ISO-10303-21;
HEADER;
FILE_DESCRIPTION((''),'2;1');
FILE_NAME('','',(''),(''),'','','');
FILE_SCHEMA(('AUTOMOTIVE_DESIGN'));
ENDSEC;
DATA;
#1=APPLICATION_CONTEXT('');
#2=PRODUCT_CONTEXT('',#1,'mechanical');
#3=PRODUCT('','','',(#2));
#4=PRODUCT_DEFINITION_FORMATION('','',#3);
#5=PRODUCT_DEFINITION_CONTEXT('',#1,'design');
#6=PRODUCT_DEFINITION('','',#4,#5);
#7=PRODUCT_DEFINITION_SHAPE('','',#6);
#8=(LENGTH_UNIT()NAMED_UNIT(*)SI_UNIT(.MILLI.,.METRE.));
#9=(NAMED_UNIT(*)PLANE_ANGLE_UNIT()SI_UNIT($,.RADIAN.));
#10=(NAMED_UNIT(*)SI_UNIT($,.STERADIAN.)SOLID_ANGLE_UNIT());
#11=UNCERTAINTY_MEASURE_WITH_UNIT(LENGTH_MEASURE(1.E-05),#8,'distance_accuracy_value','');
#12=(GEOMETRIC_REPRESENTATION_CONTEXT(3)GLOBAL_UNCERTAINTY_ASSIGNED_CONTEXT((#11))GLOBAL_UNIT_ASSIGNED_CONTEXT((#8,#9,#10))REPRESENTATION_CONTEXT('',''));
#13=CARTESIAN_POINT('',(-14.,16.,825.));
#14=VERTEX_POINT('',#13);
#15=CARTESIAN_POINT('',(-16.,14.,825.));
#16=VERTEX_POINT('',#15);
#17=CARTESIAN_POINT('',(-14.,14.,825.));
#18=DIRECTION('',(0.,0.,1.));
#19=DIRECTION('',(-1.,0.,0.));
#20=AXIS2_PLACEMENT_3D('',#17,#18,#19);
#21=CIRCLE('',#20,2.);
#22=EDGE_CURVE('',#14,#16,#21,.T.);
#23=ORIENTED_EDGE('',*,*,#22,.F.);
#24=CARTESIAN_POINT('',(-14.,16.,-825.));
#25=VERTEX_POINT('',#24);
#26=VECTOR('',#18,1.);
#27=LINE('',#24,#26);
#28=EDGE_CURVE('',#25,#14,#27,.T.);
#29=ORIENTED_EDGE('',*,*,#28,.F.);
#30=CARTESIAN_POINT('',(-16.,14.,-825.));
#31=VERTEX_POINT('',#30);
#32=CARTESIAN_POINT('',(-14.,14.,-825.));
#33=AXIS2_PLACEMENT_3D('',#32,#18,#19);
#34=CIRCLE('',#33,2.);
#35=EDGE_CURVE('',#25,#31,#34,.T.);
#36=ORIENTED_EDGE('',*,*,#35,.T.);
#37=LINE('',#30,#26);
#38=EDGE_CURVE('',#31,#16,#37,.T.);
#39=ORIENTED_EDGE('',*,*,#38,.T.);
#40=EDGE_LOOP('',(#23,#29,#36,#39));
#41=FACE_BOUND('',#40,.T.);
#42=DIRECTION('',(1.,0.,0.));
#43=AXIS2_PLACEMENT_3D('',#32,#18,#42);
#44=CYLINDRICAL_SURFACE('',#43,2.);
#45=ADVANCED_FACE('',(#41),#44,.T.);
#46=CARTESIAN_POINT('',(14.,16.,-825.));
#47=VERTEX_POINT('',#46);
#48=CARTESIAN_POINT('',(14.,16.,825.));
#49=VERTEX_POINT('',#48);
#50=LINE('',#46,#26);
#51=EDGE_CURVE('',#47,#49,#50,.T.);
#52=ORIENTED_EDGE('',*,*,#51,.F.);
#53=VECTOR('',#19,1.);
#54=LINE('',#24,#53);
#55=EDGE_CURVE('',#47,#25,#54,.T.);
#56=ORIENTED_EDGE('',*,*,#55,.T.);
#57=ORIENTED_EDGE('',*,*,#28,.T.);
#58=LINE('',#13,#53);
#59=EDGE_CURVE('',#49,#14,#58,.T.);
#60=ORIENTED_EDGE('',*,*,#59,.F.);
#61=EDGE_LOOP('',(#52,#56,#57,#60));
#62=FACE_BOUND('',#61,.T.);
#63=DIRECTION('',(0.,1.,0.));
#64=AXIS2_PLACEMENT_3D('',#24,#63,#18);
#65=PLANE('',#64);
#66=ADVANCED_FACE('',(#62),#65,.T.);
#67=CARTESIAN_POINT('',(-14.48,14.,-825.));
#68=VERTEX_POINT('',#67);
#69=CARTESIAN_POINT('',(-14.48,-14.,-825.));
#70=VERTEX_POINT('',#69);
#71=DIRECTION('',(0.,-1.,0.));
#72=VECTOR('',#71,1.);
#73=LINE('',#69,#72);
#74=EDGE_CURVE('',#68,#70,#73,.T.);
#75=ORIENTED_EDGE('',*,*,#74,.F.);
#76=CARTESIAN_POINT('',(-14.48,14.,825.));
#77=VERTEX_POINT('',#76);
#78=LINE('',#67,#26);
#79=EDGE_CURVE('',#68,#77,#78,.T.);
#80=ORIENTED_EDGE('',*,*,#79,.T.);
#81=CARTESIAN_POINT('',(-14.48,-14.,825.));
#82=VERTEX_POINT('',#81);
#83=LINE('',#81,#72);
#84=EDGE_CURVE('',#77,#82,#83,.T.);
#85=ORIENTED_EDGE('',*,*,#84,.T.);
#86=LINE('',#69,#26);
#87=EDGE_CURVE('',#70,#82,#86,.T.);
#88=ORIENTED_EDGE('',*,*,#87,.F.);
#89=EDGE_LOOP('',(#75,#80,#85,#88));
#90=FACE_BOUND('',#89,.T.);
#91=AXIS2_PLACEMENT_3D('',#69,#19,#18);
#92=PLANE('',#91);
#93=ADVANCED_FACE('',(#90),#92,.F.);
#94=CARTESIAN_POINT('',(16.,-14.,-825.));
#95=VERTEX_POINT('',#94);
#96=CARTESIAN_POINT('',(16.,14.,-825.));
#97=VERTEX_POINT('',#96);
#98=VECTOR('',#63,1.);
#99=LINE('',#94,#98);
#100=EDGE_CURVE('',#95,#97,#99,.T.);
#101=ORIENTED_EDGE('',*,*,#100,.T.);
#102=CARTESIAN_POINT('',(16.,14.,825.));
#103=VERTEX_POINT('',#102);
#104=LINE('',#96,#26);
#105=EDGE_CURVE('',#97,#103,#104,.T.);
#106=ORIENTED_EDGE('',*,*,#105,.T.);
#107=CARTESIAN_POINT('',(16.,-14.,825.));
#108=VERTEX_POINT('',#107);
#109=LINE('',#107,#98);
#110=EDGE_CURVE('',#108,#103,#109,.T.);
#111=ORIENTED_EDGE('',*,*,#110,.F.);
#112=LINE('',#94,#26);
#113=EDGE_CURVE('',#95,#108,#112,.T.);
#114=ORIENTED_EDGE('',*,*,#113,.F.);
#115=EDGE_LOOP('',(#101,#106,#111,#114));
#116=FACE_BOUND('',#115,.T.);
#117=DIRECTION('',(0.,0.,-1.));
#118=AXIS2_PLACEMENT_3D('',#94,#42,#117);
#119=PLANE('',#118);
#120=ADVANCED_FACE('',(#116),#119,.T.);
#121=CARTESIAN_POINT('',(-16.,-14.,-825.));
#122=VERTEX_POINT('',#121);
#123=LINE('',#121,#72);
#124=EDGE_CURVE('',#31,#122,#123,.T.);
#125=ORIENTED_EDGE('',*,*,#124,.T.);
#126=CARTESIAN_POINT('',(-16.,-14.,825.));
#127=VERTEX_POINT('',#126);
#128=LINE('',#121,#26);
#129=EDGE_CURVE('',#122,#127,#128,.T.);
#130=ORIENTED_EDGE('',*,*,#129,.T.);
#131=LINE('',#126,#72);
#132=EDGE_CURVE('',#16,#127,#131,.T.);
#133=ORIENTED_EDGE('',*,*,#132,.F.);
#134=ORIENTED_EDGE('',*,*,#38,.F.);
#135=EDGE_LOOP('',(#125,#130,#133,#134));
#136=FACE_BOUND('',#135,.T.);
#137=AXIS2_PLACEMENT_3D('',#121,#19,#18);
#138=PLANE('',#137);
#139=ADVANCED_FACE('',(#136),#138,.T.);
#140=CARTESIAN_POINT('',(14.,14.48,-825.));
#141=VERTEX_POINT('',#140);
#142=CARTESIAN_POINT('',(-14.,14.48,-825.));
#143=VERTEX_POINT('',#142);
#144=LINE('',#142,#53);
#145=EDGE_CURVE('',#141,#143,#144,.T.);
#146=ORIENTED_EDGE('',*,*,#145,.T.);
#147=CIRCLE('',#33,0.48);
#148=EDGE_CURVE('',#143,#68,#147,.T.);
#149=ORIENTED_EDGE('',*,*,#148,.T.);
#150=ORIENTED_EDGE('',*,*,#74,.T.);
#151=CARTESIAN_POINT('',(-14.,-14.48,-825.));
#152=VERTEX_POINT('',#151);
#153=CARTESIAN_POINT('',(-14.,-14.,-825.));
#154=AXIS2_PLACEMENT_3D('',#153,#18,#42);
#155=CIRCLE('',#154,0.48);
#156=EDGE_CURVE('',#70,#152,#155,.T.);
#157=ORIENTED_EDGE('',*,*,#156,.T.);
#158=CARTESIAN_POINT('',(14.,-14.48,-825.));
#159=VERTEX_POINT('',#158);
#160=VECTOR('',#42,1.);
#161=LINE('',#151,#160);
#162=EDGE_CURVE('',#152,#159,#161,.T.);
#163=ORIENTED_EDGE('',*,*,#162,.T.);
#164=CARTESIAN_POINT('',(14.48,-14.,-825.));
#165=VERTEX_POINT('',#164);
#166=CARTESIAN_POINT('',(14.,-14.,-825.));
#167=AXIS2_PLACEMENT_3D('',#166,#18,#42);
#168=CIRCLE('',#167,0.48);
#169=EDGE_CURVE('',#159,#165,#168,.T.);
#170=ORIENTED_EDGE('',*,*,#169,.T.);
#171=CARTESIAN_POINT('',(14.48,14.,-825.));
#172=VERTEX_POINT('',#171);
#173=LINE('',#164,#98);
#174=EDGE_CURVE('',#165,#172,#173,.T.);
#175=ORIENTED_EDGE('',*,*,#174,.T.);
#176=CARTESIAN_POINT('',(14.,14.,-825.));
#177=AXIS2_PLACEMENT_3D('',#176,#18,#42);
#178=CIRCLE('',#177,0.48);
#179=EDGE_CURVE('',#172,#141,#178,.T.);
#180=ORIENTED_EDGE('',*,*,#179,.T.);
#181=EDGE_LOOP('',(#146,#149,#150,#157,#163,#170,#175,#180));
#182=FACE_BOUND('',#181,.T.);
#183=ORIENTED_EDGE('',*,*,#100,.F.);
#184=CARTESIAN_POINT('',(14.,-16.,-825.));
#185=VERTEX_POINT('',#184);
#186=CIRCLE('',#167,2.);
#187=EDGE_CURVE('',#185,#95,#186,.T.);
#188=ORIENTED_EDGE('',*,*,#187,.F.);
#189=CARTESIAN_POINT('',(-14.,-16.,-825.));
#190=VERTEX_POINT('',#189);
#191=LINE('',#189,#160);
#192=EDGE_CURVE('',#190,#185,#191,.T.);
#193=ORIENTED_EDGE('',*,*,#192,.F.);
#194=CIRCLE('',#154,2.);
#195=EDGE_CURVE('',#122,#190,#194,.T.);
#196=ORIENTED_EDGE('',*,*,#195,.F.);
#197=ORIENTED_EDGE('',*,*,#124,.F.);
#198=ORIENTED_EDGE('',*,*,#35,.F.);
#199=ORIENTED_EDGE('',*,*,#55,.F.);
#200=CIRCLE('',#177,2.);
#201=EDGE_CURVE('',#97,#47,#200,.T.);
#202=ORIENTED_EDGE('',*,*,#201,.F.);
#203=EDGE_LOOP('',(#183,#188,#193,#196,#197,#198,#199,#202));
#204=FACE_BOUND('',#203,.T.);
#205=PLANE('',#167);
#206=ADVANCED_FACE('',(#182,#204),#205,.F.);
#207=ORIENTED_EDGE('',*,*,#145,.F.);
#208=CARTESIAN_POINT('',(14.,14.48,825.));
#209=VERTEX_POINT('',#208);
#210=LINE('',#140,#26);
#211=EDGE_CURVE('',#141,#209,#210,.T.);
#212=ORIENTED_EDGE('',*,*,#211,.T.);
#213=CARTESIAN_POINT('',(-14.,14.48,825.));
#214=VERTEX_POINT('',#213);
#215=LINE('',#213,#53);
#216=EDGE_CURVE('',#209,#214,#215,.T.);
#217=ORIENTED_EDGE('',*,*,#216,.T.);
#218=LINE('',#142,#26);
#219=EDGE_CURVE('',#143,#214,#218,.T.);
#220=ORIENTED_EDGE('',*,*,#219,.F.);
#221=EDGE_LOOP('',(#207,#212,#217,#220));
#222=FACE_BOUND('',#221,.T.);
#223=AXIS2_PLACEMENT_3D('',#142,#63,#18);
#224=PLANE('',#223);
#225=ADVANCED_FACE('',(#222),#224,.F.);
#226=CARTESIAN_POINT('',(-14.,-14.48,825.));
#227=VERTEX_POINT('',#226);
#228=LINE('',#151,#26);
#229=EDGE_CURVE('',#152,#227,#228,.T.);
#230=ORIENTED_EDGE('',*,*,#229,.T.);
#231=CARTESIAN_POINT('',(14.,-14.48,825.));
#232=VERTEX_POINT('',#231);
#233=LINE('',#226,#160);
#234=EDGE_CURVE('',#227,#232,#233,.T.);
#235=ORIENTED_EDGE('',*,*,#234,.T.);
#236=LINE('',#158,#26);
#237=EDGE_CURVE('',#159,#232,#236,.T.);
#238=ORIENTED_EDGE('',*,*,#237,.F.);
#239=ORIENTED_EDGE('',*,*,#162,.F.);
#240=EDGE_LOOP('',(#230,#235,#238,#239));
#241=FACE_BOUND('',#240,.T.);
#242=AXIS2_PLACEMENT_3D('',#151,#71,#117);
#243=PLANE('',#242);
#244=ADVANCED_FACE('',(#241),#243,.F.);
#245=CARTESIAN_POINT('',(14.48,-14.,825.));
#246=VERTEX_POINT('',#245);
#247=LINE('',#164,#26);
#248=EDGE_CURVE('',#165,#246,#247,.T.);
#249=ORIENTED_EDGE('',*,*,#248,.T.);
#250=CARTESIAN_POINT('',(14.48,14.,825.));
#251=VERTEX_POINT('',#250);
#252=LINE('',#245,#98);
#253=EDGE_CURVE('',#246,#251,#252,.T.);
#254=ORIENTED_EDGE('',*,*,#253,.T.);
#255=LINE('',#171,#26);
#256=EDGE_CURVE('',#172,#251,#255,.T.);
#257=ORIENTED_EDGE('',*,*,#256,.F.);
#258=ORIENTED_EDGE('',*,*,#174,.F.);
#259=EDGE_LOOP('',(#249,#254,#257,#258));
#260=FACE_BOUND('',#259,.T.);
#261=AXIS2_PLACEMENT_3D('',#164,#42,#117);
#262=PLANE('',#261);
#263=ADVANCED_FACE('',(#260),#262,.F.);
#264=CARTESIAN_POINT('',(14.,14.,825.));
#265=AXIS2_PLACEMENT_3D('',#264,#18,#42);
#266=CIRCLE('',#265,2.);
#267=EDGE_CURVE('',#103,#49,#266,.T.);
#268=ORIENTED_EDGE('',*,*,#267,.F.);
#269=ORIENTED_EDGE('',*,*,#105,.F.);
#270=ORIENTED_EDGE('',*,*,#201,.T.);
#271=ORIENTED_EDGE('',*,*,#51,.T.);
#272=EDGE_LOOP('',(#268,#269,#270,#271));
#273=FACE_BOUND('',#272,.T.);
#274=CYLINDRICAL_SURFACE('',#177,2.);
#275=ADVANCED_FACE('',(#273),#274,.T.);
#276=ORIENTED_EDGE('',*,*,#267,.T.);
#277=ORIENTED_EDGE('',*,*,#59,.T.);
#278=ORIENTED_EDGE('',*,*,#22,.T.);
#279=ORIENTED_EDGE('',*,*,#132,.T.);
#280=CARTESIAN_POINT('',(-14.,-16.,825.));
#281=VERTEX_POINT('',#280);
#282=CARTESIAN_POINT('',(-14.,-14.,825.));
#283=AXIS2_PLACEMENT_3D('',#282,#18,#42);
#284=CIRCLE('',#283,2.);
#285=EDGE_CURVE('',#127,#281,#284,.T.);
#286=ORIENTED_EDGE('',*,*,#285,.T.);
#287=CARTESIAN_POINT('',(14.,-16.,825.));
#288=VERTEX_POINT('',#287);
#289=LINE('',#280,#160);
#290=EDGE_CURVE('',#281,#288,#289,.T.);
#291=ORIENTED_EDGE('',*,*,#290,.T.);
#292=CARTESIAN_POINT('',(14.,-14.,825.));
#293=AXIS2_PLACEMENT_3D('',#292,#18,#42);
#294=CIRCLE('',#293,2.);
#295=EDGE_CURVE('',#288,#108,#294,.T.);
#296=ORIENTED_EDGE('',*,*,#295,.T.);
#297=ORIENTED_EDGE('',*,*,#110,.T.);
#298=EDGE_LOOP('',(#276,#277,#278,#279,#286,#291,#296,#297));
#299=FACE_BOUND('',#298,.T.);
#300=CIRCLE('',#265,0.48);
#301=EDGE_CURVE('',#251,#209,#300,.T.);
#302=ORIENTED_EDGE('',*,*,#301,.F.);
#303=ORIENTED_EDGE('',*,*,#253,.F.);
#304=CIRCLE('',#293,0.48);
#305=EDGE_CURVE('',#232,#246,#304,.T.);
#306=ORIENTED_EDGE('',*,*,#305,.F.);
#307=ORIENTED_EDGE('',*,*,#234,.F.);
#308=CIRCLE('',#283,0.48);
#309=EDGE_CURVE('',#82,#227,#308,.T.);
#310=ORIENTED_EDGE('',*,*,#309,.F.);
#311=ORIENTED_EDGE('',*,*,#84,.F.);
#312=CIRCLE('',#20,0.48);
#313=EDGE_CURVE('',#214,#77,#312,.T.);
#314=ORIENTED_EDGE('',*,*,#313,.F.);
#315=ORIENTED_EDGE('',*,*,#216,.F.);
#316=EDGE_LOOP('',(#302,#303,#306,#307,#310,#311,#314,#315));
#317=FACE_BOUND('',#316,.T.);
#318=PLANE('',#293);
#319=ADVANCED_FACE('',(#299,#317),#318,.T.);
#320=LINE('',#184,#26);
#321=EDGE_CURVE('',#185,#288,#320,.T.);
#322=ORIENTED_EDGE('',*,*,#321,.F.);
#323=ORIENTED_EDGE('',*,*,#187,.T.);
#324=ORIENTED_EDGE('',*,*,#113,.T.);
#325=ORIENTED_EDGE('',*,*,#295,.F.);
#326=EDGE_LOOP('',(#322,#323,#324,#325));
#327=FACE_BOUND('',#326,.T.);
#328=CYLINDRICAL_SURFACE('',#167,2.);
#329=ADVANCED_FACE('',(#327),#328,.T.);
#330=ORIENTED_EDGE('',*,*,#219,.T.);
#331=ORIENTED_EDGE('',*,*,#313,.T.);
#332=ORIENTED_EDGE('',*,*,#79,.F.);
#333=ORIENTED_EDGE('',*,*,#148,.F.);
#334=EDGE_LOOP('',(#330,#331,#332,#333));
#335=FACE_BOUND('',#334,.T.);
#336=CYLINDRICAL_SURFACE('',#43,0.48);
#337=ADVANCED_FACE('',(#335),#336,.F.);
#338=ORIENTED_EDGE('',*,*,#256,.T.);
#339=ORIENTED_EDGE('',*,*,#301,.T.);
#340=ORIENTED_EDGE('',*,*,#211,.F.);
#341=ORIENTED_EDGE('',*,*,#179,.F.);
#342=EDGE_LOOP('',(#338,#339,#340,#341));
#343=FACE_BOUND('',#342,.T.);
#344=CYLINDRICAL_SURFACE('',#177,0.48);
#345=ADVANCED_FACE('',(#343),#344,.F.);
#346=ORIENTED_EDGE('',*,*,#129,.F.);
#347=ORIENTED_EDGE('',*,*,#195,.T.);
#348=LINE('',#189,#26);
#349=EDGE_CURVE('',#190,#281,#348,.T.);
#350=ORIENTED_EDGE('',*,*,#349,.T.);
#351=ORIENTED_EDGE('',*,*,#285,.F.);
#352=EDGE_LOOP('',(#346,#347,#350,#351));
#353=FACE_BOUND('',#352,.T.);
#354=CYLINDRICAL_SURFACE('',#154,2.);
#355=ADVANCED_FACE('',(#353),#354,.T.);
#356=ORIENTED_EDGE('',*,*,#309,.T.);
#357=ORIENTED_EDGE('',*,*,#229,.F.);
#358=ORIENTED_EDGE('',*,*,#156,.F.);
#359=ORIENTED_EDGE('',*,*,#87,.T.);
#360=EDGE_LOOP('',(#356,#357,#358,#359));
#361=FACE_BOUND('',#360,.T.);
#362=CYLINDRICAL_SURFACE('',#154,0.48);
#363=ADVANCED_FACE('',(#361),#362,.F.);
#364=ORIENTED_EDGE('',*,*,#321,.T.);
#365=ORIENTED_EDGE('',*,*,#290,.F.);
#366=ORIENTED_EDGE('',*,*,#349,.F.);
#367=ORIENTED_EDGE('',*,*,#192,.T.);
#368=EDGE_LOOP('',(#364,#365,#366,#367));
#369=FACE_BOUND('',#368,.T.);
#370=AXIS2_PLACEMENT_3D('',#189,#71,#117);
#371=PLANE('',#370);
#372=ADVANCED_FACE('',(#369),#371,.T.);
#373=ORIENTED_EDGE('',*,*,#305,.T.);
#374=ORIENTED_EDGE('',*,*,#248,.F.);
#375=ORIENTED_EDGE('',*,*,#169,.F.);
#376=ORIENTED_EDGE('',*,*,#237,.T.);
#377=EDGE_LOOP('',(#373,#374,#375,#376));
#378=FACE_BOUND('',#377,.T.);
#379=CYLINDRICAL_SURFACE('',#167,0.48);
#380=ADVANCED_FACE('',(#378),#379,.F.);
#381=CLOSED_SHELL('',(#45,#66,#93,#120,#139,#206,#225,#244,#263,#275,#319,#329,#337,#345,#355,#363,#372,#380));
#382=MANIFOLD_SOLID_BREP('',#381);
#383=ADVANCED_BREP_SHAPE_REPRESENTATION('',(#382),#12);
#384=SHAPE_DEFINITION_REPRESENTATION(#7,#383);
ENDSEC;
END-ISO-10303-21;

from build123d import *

# Parameters (mm, degrees)
BOSS_EXTRUDE1_DEPTH      = 825
BOSS_EXTRUDE1_DEPTH_BACK = 825


with BuildPart() as part:
    # Sketch1 → Boss-Extrude1 (new, two sides: drawn at the far end of the back side and taken through both)
    with BuildSketch(Plane.XY.offset(-BOSS_EXTRUDE1_DEPTH_BACK)):
        with BuildLine():
            Line((-14, -16), (14, -16))
            ThreePointArc((14, -16), (15.414213562, -15.414213562), (16, -14))
            Line((16, -14), (16, 14))
            ThreePointArc((16, 14), (15.414213562, 15.414213562), (14, 16))
            Line((14, 16), (-14, 16))
            ThreePointArc((-14, 16), (-15.414213562, 15.414213562), (-16, 14))
            Line((-16, 14), (-16, -14))
            ThreePointArc((-16, -14), (-15.414213562, -15.414213562), (-14, -16))
        make_face()
        with BuildLine():
            Line((-14, 14.48), (14, 14.48))
            ThreePointArc((14, 14.48), (14.339411255, 14.339411255), (14.48, 14))
            Line((14.48, 14), (14.48, -14))
            ThreePointArc((14.48, -14), (14.339411255, -14.339411255), (14, -14.48))
            Line((14, -14.48), (-14, -14.48))
            ThreePointArc((-14, -14.48), (-14.339411255, -14.339411255), (-14.48, -14))
            Line((-14.48, -14), (-14.48, 14))
            ThreePointArc((-14.48, 14), (-14.339411255, 14.339411255), (-14, 14.48))
        make_face(mode=Mode.SUBTRACT)
    extrude(amount=BOSS_EXTRUDE1_DEPTH + BOSS_EXTRUDE1_DEPTH_BACK)


solid = part.part
